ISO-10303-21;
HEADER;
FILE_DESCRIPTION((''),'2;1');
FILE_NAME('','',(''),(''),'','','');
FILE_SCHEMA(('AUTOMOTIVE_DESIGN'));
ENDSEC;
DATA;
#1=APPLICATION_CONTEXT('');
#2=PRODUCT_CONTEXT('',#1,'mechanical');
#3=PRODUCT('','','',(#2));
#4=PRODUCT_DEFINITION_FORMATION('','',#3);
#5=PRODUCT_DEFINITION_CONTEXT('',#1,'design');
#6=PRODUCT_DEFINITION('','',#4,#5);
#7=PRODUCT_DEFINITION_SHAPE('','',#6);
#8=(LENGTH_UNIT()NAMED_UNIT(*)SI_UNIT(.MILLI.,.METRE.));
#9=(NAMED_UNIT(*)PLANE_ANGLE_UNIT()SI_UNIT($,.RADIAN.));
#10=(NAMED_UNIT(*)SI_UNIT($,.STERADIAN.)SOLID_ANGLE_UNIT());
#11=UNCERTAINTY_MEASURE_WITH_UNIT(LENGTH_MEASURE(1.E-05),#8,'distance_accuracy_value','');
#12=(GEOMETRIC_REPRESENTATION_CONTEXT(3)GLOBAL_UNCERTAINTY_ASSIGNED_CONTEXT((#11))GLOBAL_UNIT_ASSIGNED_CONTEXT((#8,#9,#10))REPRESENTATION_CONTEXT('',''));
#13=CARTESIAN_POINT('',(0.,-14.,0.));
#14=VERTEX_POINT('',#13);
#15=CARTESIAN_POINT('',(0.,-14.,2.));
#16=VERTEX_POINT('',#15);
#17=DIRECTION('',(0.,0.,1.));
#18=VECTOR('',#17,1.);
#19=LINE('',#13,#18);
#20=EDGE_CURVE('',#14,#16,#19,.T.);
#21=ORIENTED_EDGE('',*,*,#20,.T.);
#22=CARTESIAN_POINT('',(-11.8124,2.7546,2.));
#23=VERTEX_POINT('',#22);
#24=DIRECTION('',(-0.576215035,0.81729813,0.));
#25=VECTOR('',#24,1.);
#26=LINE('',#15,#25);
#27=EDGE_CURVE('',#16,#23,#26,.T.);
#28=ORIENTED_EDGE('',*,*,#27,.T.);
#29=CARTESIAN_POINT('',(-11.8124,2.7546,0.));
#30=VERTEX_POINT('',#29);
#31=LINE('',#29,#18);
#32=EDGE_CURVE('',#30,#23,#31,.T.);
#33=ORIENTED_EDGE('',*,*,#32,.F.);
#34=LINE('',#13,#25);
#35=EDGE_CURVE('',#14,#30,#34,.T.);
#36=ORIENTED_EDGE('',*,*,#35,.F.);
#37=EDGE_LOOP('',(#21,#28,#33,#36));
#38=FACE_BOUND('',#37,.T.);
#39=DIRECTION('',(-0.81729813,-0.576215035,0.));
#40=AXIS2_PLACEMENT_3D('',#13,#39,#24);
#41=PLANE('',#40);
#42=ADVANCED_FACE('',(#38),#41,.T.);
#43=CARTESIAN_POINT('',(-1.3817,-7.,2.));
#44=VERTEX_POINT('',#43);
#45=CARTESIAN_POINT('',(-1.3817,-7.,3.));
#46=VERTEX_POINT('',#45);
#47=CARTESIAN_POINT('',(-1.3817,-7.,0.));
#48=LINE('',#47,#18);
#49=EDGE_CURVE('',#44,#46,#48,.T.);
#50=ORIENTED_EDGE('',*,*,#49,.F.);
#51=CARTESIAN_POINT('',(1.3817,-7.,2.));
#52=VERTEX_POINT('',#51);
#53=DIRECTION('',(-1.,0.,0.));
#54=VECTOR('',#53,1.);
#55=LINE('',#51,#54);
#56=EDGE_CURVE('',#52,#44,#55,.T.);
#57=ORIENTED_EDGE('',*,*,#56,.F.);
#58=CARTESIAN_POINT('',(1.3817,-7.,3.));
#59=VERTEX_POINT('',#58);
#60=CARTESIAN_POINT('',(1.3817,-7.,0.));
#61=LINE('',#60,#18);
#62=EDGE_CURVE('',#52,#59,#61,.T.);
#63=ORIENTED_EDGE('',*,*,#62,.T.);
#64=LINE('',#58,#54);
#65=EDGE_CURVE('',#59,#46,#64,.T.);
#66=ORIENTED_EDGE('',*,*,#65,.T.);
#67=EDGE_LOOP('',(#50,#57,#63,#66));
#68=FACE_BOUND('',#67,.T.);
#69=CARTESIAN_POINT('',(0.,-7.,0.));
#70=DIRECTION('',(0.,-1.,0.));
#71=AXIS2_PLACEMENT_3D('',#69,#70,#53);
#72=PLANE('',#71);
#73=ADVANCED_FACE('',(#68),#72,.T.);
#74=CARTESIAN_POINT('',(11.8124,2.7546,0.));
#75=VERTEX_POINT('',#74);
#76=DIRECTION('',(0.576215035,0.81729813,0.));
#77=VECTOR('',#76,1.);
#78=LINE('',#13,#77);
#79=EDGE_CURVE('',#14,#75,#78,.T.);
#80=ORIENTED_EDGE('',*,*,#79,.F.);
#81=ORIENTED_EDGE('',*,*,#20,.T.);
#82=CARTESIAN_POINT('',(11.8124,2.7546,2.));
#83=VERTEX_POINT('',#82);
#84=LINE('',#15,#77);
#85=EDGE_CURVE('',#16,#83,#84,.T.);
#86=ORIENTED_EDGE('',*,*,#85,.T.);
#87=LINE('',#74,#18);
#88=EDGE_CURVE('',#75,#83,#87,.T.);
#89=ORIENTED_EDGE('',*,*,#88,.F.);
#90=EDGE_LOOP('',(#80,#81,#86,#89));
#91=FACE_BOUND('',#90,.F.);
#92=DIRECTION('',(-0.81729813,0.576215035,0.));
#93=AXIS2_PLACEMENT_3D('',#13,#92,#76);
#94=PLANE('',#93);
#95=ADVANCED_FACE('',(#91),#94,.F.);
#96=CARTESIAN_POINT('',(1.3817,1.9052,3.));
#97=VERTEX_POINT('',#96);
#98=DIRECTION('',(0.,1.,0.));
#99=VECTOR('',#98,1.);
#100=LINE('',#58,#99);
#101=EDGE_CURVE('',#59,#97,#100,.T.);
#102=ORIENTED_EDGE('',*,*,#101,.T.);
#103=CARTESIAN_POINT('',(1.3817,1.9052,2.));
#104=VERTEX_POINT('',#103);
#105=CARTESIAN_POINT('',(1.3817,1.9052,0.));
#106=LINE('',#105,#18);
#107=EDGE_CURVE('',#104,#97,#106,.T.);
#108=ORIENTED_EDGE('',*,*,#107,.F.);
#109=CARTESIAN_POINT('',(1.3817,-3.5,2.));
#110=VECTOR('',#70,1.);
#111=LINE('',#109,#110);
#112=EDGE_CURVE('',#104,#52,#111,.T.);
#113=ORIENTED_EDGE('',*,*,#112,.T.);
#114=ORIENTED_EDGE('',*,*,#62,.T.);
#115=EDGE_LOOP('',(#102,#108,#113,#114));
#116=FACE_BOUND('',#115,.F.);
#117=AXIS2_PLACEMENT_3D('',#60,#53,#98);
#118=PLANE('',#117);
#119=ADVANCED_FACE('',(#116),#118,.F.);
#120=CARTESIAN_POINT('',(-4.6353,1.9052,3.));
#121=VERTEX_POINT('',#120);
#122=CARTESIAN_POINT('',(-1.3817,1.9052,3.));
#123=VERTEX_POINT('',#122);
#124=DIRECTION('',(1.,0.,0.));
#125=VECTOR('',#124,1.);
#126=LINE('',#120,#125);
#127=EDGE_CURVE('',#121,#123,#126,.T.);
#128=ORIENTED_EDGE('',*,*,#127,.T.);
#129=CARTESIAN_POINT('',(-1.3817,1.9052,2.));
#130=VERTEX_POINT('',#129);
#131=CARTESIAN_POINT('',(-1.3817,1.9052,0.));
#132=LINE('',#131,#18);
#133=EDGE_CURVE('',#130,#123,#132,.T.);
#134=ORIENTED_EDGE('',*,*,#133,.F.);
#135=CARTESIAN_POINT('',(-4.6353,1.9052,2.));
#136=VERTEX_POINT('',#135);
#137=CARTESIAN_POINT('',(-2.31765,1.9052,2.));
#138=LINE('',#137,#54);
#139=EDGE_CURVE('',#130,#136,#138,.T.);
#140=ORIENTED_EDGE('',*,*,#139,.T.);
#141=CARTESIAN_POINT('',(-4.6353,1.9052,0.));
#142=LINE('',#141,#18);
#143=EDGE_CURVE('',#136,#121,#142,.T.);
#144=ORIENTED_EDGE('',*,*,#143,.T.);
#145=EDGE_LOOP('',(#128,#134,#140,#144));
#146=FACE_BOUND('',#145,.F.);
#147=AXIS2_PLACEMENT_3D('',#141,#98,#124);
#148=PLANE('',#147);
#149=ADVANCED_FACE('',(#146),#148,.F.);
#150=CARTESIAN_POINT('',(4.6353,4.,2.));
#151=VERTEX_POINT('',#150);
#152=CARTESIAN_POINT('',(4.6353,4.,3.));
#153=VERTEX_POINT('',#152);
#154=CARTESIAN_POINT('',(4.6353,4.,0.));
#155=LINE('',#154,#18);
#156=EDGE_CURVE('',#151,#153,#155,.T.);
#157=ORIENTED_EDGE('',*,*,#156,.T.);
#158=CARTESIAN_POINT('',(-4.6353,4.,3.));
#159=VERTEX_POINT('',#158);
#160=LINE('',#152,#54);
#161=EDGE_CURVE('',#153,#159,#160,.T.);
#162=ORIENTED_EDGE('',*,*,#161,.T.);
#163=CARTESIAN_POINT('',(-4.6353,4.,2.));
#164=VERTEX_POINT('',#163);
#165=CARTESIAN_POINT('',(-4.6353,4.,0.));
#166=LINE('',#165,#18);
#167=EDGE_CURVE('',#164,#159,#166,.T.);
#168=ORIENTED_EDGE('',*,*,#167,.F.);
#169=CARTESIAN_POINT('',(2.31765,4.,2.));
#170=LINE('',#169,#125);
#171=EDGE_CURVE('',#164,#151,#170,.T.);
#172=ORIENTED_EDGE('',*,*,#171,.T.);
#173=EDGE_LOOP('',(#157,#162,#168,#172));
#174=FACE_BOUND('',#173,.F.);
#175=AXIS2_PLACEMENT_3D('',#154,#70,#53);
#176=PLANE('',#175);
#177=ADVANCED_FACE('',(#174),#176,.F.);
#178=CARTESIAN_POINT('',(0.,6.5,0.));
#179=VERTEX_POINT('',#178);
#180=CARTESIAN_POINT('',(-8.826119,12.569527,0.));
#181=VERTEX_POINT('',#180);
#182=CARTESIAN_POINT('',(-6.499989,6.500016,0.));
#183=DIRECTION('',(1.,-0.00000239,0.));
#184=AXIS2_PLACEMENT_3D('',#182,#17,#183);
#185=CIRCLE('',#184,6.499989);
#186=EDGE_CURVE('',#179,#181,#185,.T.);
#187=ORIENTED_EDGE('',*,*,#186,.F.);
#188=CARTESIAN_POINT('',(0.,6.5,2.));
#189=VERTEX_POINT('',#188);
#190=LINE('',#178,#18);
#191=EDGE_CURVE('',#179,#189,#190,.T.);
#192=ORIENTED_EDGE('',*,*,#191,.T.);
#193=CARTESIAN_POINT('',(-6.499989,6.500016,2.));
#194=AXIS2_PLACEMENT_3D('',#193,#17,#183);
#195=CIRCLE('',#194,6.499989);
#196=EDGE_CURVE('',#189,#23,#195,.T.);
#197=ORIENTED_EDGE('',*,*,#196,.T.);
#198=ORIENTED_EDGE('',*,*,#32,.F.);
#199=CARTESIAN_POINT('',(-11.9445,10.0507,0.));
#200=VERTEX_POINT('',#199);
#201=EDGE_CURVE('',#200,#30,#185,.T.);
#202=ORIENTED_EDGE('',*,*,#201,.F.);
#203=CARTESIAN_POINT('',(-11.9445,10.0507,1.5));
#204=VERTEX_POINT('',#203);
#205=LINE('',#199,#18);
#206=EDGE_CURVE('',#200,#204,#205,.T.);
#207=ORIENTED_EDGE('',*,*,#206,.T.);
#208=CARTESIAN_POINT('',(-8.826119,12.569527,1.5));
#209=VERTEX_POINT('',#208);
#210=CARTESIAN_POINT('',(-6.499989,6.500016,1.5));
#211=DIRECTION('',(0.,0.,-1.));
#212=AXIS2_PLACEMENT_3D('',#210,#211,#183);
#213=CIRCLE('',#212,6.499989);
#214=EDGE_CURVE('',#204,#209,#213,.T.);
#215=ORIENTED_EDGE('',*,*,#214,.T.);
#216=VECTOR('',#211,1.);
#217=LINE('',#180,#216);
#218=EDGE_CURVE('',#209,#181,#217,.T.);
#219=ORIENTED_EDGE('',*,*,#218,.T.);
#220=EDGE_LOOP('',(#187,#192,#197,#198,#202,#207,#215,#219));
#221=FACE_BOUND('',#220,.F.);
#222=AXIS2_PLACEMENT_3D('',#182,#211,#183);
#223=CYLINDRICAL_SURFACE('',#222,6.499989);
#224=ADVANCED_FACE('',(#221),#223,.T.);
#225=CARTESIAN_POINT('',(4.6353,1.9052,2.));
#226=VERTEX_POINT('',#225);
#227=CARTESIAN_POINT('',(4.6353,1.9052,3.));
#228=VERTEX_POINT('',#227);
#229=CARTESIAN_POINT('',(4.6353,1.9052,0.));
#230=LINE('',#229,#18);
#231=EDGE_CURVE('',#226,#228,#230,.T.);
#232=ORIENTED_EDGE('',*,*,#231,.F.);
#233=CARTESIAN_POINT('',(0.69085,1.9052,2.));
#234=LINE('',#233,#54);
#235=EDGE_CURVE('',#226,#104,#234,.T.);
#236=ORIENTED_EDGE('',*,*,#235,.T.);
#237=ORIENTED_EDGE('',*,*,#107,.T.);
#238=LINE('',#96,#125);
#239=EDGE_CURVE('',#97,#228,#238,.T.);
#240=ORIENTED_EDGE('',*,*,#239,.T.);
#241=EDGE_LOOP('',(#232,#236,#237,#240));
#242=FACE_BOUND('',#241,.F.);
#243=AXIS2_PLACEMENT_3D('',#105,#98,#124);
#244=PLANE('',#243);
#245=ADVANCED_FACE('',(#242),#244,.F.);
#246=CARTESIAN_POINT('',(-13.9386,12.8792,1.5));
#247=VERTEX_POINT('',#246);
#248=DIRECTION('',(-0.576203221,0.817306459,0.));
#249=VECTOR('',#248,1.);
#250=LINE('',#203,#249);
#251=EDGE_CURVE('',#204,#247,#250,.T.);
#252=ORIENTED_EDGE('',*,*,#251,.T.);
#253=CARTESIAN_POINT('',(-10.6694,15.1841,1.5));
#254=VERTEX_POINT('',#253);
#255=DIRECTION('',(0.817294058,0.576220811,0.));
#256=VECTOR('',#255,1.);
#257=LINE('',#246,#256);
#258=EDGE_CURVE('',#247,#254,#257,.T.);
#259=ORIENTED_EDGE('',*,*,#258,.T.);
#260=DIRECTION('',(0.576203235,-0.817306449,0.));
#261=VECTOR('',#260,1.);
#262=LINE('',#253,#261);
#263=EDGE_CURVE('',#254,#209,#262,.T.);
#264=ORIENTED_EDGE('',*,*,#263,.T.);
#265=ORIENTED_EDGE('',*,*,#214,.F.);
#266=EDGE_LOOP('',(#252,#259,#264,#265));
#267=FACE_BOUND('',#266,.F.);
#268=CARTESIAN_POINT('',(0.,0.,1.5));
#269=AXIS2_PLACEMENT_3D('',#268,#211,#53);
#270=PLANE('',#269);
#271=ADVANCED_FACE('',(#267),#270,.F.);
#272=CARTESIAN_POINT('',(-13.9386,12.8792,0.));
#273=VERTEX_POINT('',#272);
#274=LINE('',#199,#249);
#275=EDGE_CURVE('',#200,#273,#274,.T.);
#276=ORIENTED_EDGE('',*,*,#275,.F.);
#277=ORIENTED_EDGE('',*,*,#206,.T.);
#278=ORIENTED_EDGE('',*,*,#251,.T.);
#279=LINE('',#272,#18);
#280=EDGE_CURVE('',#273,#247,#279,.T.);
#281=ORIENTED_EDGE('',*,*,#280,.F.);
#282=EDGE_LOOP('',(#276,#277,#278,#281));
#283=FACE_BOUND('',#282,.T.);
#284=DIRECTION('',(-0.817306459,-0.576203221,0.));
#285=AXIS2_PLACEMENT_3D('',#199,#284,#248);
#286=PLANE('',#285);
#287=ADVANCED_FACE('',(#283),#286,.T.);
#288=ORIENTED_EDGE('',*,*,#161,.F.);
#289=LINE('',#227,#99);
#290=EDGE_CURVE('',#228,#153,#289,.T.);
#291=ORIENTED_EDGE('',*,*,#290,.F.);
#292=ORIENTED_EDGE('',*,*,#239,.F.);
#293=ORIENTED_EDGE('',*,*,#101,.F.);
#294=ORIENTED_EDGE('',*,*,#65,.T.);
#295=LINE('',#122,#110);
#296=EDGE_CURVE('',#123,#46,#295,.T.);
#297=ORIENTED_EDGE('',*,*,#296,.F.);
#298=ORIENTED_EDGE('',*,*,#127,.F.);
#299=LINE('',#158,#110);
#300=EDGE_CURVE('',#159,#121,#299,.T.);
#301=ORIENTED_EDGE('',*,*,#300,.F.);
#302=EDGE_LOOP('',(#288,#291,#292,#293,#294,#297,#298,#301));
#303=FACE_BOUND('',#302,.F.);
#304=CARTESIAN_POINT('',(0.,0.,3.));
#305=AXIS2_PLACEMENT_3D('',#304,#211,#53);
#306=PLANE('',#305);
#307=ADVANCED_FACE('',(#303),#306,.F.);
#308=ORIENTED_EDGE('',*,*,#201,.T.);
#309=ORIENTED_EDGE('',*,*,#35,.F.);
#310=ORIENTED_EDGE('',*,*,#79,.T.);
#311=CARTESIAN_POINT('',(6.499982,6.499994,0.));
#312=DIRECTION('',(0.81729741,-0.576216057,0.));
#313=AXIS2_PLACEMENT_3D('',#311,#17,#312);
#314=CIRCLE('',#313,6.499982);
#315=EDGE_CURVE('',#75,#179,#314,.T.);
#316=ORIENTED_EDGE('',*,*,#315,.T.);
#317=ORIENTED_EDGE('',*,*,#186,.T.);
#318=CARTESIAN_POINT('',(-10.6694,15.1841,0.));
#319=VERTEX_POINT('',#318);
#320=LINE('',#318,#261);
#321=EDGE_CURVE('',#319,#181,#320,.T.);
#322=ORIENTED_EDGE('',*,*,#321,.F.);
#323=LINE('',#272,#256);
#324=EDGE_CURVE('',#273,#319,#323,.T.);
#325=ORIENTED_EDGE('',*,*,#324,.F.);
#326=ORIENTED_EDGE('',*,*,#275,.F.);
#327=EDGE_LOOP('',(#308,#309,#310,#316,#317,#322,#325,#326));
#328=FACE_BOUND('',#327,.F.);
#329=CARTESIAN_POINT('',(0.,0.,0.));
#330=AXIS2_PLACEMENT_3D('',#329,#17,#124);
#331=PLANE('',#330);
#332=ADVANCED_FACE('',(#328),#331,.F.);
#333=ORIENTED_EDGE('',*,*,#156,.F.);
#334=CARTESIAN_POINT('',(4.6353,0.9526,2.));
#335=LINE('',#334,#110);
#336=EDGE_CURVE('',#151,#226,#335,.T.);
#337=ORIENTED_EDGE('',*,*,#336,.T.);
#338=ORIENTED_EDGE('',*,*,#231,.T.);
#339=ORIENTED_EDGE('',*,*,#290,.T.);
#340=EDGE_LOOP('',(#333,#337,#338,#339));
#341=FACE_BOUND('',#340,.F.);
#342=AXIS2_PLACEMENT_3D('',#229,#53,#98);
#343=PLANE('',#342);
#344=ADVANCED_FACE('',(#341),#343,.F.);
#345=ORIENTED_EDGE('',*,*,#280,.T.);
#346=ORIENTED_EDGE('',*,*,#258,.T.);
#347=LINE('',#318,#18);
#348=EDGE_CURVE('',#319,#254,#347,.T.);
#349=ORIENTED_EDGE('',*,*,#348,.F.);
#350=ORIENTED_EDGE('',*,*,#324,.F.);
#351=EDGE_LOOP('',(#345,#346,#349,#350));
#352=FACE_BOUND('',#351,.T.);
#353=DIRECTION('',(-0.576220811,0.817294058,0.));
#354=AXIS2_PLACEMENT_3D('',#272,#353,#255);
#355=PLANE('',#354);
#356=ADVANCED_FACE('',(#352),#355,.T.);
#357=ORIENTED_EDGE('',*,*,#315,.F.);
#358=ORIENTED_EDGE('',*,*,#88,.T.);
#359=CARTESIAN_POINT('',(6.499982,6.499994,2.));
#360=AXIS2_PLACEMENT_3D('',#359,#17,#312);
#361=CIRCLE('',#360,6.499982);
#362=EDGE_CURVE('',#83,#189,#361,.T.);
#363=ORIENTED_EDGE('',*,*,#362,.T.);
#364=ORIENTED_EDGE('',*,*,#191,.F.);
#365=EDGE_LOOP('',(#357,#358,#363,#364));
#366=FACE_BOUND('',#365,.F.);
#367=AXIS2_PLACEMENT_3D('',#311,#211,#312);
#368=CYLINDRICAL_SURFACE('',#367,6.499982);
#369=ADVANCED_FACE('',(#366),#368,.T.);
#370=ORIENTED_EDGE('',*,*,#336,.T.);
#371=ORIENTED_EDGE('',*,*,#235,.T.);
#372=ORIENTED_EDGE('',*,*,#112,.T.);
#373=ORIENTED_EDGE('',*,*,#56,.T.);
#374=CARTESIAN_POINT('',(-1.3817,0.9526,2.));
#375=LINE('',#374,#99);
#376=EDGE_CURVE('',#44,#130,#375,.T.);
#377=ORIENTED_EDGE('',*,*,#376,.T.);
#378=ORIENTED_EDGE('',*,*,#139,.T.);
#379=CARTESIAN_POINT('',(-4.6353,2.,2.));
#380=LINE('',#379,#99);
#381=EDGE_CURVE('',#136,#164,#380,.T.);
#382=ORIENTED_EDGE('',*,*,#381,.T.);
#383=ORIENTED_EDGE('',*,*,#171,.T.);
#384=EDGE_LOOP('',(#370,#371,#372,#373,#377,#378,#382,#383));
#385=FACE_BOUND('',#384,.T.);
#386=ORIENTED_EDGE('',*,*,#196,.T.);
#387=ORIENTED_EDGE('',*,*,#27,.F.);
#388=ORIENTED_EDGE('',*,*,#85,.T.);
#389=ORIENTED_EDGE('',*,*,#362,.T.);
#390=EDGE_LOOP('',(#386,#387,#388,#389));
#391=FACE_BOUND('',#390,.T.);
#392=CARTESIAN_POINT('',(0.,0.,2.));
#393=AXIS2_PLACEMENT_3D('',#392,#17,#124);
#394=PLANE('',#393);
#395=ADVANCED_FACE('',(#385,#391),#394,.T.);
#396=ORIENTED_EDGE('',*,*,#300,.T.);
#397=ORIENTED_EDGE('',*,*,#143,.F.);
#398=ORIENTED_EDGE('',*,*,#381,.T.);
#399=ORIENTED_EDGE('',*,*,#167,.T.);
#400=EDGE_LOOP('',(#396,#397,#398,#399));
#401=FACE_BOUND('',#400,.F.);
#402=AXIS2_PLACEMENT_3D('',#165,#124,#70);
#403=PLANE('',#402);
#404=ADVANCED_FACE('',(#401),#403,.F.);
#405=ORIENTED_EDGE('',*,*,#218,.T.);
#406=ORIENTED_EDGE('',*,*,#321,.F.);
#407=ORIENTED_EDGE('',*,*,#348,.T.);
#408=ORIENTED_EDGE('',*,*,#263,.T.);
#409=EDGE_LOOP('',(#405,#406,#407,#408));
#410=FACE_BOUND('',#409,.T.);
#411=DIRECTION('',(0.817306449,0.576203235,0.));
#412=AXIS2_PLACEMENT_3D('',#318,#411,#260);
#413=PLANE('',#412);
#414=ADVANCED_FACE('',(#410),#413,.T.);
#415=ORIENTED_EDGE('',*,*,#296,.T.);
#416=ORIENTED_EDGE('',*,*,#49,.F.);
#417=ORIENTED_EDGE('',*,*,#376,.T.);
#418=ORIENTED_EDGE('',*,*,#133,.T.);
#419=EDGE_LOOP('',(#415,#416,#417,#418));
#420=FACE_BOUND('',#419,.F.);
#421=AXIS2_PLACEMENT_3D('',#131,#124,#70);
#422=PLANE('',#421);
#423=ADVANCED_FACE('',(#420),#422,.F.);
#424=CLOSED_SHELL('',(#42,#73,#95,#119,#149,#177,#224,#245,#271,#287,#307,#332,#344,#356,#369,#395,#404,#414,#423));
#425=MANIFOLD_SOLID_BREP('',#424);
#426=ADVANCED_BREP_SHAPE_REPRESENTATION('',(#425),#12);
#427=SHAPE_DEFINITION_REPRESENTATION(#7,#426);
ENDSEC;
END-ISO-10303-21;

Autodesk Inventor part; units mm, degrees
ref_plane "YZ Plane" through (0, 0, 0) normal (1, 0, 0) x (0, 1, 0)
ref_plane "XZ Plane" through (0, 0, 0) normal (0, 1, 0) x (-1, 0, 0)
ref_plane "XY Plane" through (0, 0, 0) normal (0, 0, 1) x (1, 0, 0)
sketch "Sketch1" plane through (0, 0, 0) normal (0, 0, 1) x (1, 0, 0)
  line L0 (0, -14) -> (-11.8124, 2.7546)
  line L1 (0, -14) -> (11.8124, 2.7546)
  arc A0 (0, 6.5) -> (-11.8124, 2.7546) centre (-6.5, 6.5) ccw
  arc A1 (11.8124, 2.7546) -> (0, 6.5) centre (6.5, 6.5) ccw
  point P0 (0, 0)
extrude "Extrusion1" add sketch "Sketch1" along normal blind 2
sketch "Sketch6" plane through (0, 0, 0) normal (0, 0, -1) x (-1, 0, 0)
  line L0 (-11.8124, 2.7546) -> (0, -14) projected
  line L1 (11.8124, 2.7546) -> (0, -14) projected
  line L2 (0, -14) -> (0, -7)
  line L3 (-4.9352, -7) -> (4.9352, -7)
  line L4 (-1.3817, -7) -> (-1.3817, 1.9052)
  line L5 (-1.3817, 1.9052) -> (-4.6353, 1.9052)
  line L6 (-4.6353, 1.9052) -> (-4.6353, 4)
  line L7 (-4.6353, 4) -> (4.6353, 4)
  line L8 (4.6353, 4) -> (4.6353, 1.9052)
  line L9 (4.6353, 1.9052) -> (1.3817, 1.9052)
  line L10 (1.3817, 1.9052) -> (1.3817, -7)
  line L11 (1.3817, -7) -> (-1.3817, -7)
  point P0 (0, 0)
  dimension "d24" = 7
extrude "Extrusion5" add sketch "Sketch6" against normal blind 3 contours L4 L5 L6 L7 L8 L9 L10 L3
sketch "Sketch7" plane through (0, 0, 0) normal (0, 0, -1) x (-1, 0, 0)
  arc A0 (11.8124, 2.7546) -> (0, 6.5) centre (6.5, 6.5) ccw
  line L0 (10.6694, 15.1841) -> (8.8261, 12.5695)
  line L1 (13.9386, 12.8792) -> (10.6694, 15.1841)
  line L2 (11.9445, 10.0507) -> (13.9386, 12.8792)
  point P0 (0, 0)
extrude "Extrusion6" add sketch "Sketch7" against normal blind 1.5
properties part number "Gift - T"
